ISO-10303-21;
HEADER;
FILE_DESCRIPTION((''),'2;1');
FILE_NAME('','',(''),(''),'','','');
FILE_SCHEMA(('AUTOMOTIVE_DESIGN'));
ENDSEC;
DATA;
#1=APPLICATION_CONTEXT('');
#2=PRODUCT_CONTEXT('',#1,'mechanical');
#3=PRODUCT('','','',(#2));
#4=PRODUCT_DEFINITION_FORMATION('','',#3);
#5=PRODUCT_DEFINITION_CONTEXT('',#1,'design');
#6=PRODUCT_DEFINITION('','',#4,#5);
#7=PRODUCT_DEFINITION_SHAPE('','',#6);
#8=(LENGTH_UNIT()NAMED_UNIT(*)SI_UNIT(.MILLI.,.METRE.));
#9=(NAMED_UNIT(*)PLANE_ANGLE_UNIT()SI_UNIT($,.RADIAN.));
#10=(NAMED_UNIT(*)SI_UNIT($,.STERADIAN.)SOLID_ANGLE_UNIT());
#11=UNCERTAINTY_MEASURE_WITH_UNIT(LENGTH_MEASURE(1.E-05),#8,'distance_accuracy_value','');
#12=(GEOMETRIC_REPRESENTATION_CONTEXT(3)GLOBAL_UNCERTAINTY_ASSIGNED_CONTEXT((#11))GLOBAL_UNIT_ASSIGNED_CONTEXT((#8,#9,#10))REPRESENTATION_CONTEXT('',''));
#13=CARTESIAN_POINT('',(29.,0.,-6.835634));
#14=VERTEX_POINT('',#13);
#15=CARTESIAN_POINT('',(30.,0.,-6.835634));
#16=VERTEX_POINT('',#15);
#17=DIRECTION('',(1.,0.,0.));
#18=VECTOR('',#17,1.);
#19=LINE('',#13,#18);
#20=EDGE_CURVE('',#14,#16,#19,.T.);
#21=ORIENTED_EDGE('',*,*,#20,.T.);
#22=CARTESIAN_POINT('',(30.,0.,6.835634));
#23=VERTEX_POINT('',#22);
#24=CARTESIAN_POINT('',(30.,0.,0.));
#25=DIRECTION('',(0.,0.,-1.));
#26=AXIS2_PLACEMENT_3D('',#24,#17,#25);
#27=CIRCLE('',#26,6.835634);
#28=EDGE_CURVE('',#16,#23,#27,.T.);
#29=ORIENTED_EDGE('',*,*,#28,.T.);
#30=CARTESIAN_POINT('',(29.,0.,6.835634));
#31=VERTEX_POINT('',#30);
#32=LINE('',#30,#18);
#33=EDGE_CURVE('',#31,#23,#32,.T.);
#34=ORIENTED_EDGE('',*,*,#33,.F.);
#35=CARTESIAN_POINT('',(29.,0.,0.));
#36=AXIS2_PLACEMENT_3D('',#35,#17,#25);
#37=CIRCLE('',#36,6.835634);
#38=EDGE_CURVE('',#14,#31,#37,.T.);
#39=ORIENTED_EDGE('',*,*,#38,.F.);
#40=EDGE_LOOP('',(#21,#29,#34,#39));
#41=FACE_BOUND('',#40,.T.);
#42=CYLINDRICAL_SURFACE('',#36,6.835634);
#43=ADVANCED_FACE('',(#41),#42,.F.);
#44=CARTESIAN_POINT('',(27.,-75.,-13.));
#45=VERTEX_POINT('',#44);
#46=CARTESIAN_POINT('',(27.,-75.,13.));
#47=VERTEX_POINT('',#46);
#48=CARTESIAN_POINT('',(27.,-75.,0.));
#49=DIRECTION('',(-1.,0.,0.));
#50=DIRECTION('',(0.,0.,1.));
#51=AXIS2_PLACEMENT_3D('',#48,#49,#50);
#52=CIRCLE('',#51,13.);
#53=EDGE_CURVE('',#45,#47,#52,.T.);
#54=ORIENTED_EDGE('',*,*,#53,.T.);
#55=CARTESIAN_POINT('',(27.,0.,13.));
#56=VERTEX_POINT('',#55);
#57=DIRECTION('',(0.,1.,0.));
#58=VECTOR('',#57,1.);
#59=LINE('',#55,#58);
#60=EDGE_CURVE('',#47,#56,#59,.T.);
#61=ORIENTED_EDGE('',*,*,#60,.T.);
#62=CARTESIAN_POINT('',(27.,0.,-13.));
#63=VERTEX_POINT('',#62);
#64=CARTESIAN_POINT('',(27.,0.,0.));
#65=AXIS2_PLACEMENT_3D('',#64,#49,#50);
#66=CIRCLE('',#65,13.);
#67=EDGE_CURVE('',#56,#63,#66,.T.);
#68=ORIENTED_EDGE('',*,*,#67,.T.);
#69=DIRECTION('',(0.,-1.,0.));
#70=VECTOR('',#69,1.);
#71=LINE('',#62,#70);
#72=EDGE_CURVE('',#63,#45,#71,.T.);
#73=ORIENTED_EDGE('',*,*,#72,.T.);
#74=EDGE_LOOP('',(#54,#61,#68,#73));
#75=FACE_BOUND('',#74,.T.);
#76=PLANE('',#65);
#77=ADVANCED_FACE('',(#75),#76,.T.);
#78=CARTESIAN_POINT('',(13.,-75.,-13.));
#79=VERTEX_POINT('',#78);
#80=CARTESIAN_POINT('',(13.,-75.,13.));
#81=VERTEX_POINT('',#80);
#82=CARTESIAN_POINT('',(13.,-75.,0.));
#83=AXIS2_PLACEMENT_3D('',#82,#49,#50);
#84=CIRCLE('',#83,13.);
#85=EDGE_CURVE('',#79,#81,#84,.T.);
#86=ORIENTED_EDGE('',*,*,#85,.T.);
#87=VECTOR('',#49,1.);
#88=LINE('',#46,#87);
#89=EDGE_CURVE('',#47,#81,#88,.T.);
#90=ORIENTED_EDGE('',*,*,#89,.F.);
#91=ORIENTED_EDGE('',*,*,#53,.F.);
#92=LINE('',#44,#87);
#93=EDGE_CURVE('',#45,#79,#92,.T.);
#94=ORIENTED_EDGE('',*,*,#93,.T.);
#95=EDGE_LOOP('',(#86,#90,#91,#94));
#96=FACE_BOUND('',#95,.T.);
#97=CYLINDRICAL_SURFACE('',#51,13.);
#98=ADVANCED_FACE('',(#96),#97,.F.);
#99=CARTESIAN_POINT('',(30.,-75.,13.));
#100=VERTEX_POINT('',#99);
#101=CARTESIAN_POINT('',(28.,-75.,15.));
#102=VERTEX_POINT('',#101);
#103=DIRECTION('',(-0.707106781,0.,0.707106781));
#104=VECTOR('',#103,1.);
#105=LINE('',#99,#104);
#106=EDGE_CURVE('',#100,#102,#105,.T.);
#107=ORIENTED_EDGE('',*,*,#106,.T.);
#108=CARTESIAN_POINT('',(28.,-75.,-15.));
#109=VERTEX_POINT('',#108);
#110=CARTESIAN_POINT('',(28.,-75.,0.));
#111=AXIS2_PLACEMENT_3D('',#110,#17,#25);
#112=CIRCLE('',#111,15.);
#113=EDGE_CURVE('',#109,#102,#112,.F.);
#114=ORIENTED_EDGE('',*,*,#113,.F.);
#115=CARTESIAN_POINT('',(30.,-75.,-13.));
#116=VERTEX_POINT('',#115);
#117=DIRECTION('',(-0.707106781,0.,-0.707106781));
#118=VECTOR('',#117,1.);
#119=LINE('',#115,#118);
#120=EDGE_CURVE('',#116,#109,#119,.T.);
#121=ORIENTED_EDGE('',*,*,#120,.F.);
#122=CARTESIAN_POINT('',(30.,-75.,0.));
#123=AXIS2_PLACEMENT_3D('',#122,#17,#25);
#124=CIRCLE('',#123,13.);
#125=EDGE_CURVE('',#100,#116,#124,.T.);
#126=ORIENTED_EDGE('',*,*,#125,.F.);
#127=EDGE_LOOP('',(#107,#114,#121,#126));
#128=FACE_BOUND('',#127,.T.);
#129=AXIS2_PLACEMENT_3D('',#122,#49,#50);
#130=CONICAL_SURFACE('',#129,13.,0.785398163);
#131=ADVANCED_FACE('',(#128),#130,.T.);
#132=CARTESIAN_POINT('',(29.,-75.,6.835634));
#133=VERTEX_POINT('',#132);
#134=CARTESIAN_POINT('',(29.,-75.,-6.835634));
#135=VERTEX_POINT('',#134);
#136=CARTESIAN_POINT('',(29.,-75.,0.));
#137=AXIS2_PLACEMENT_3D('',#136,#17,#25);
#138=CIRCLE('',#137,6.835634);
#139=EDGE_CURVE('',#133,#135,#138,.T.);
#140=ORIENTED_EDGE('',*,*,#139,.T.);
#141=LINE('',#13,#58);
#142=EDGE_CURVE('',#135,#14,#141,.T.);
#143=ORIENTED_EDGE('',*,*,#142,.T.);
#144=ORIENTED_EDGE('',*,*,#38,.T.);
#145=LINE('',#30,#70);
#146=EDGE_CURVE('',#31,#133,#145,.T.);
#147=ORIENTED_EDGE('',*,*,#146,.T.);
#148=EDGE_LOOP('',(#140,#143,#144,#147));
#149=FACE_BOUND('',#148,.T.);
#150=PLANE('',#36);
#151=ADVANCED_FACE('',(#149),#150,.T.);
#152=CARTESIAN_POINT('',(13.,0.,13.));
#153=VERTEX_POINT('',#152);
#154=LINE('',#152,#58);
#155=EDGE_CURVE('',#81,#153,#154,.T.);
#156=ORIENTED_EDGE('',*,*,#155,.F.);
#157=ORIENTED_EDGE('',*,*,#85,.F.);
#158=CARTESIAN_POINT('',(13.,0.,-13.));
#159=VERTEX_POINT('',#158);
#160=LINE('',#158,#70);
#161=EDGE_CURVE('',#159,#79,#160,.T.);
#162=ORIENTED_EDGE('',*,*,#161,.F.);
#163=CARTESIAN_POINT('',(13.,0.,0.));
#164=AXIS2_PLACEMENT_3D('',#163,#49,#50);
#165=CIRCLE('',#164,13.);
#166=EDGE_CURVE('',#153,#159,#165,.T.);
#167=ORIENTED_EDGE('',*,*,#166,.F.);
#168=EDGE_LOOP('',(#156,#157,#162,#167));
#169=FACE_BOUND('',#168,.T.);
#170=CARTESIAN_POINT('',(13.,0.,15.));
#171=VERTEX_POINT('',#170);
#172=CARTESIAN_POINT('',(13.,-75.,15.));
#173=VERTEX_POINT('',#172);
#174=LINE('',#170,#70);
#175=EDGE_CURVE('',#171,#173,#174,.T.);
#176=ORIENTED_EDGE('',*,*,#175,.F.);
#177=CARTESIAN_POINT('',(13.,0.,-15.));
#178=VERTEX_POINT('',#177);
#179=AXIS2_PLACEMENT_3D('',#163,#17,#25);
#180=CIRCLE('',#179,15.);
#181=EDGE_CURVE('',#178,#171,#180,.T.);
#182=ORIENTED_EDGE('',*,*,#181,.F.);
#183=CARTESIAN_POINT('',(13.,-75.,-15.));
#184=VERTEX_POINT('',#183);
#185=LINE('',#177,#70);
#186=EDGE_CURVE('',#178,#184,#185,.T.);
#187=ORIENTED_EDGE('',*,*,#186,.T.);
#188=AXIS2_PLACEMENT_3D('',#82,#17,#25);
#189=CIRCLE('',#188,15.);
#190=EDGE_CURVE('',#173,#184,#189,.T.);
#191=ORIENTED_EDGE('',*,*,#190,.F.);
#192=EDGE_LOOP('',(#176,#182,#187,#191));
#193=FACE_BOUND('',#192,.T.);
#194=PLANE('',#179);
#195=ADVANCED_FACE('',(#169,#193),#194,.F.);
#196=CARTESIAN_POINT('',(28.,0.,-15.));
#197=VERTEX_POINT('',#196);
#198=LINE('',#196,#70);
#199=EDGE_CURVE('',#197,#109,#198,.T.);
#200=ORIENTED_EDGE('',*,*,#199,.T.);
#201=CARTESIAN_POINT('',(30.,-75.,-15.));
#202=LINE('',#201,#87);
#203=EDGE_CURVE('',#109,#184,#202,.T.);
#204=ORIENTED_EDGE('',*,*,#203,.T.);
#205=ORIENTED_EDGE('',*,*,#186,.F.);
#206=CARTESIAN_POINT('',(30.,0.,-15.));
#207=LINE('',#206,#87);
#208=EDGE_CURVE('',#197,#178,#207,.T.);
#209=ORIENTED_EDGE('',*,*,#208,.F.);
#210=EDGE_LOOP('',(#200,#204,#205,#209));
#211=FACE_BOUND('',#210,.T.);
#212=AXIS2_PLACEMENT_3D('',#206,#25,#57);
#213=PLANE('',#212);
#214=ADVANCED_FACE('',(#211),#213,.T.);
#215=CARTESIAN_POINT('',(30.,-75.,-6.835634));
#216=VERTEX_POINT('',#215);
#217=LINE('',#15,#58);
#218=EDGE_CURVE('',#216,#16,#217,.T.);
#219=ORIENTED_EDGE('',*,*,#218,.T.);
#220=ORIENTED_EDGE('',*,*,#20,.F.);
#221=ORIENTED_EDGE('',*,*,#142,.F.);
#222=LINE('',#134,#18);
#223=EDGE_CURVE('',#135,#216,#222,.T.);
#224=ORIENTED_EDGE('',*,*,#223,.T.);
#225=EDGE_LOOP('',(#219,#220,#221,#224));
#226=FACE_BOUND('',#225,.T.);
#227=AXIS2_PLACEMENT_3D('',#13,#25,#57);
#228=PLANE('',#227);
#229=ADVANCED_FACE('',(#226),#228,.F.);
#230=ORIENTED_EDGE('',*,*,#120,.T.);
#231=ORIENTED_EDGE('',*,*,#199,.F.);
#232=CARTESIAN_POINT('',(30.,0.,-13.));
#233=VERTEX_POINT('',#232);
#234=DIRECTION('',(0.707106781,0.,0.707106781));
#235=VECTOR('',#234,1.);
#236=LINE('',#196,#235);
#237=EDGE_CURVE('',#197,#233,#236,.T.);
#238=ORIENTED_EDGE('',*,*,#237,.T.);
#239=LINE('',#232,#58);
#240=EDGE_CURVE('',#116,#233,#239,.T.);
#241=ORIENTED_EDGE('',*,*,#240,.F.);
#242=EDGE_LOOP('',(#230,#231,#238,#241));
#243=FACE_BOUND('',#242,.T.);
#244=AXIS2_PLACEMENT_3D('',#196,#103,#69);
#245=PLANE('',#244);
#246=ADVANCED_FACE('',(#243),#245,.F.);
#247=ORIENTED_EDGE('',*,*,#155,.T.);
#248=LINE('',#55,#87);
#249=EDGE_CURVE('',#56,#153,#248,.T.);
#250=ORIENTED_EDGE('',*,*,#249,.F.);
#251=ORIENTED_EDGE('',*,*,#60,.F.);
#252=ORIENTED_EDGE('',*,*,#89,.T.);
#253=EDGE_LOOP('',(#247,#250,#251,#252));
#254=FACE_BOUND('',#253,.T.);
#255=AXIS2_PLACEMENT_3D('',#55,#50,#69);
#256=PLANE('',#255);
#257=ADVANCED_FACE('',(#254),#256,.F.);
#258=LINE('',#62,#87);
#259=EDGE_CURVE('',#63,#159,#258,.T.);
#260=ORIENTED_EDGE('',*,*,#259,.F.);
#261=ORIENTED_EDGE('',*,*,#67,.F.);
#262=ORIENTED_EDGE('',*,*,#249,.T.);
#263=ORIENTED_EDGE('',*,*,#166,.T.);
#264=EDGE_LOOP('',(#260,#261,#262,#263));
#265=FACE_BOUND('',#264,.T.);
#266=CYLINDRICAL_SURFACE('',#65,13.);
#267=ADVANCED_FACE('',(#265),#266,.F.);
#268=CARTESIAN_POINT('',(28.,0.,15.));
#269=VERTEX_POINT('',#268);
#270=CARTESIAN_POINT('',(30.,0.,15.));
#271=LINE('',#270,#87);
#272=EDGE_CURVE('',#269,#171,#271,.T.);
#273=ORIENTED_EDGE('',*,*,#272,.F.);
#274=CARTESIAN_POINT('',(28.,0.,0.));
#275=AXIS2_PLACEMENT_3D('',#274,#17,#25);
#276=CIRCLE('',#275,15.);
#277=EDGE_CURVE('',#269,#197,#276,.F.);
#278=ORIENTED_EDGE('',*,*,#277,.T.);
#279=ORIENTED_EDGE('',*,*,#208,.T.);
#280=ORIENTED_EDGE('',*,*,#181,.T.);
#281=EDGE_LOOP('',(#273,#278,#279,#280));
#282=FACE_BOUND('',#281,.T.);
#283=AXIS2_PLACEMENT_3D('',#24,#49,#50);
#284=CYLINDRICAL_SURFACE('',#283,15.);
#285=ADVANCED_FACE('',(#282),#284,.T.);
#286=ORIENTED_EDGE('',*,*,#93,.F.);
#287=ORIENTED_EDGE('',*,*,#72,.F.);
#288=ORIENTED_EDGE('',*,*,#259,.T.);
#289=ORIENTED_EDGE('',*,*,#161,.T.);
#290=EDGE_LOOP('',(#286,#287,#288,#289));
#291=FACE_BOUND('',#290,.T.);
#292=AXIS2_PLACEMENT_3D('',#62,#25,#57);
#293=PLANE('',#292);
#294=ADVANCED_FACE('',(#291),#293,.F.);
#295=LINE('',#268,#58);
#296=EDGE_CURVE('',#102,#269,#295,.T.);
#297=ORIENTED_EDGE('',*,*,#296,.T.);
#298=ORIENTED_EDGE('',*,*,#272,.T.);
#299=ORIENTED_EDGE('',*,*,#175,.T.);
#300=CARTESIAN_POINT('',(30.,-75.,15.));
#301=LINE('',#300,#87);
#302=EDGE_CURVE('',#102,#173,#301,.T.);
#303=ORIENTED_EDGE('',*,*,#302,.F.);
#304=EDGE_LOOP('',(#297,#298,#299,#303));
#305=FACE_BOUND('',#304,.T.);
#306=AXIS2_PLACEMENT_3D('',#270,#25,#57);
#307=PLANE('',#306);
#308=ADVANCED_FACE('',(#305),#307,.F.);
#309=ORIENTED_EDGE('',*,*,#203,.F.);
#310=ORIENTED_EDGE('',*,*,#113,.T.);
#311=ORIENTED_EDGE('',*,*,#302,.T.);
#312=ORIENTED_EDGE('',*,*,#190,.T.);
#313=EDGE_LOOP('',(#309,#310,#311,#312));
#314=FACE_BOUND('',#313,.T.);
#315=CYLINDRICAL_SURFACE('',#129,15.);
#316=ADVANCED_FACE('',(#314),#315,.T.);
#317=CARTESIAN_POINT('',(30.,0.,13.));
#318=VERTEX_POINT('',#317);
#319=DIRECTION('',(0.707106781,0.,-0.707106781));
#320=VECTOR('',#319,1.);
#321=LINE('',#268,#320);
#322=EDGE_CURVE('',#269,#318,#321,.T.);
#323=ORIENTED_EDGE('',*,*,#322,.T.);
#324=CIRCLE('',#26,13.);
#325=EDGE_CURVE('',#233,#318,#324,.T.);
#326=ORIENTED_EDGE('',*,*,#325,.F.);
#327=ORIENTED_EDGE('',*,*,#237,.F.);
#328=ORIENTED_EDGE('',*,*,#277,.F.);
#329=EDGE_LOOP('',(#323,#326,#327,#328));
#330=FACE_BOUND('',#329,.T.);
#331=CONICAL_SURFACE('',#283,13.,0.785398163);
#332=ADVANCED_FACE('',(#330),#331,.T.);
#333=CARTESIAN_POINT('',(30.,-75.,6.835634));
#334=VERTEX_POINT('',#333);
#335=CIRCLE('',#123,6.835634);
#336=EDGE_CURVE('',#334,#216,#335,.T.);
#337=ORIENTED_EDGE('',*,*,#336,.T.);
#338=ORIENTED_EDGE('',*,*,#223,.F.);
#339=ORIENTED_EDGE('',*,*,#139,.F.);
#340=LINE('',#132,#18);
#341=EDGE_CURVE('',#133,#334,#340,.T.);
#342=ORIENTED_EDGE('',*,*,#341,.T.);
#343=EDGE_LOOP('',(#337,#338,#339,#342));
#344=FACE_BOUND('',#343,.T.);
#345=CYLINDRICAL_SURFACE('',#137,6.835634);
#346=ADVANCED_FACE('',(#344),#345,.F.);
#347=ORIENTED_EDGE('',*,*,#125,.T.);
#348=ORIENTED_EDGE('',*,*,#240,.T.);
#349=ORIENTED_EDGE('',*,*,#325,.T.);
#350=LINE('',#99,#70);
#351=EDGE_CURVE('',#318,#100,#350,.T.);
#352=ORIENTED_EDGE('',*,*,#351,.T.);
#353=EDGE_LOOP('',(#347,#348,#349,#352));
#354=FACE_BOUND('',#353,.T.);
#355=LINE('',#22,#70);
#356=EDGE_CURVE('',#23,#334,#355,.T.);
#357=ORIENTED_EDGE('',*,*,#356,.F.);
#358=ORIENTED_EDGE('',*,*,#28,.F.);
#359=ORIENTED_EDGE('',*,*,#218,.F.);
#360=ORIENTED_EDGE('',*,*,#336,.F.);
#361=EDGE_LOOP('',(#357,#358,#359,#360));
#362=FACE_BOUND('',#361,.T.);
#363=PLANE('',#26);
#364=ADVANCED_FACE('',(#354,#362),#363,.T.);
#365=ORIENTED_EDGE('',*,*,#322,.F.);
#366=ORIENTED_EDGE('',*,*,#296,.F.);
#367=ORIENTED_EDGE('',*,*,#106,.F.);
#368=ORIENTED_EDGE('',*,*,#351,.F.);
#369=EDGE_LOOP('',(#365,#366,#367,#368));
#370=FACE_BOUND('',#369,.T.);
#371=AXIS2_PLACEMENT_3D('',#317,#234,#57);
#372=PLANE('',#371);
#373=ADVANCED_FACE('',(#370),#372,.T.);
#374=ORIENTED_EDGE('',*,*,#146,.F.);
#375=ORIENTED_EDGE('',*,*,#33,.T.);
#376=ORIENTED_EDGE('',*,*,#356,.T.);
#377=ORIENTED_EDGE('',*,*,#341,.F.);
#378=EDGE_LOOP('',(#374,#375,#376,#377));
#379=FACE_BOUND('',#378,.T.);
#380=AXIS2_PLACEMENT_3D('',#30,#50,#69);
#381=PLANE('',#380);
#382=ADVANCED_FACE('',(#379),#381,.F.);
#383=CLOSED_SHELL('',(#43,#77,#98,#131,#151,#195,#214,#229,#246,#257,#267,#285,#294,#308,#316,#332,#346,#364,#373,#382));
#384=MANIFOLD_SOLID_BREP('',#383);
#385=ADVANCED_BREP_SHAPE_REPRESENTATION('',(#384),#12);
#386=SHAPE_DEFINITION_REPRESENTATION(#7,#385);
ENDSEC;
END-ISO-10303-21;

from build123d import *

# Parameters (mm, degrees)
SKETCH_1_R          = 4.9
EXTRUDE_1_DEPTH     = 10
EXTRUDE_2_DEPTH     = 20
SKETCH_3_R          = 5
EXTRUDE_3_DEPTH     = 20
CHAMFER_1_SIZE      = 2
CUT_EXTRUDE_1_DEPTH = 1
SKETCH_5_W          = 112.212059924
SKETCH_5_H          = 221.512042167
CUT_EXTRUDE_2_DEPTH = 23
CUT_EXTRUDE_3_DEPTH = 14


with BuildPart() as part:
    # 草图1 → 凸台-拉伸1 (new body)
    with BuildSketch(Plane(origin=(0, 0, 0), x_dir=(0, 0, -1), z_dir=(1, 0, 0))):
        Circle(SKETCH_1_R)
    extrude(amount=EXTRUDE_1_DEPTH)

    # 草图2 → 凸台-拉伸2 (add)
    with BuildSketch(Plane(origin=(10, 0, 0), x_dir=(0, 0, -1), z_dir=(1, 0, 0))):
        with BuildLine():
            Line((15, 0), (15, -75))
            ThreePointArc((15, -75), (0, -90), (-15, -75))
            Line((-15, -75), (-15, 0))
            ThreePointArc((-15, 0), (0, 15), (15, 0))
        make_face()
    extrude(amount=EXTRUDE_2_DEPTH)

    # 草图3 → 凸台-拉伸3 (add)
    with BuildSketch(Plane.ZY.offset(-10)):
        with Locations(Location((0, -75, 0), (0, 0, 180))):
            Circle(SKETCH_3_R)
    extrude(amount=EXTRUDE_3_DEPTH)

    # 倒角1
    chamfer_1_edges = [part.edges().sort_by_distance(p)[0] for p in [
        (10, -37.5, 15),
        (10, -90, 0),
        (30, -37.5, -15),
        (10, 15, 0),
        (30, -37.5, 15),
        (30, -90, 0),
        (30, 15, 0),
        (10, -37.5, -15),
    ]]
    chamfer(chamfer_1_edges, length=CHAMFER_1_SIZE)

    # 草图4 → 切除-拉伸1 (cut)
    with BuildSketch(Plane(origin=(30, 0, 0), x_dir=(0, 0, -1), z_dir=(1, 0, 0))):
        with BuildLine():
            Line((6.835634275, 0), (6.835634275, -75))
            ThreePointArc((6.835634275, -75), (0, -81.835634275), (-6.835634275, -75))
            Line((-6.835634275, -75), (-6.835634275, 0))
            ThreePointArc((-6.835634275, 0), (0, 6.835634275), (6.835634275, 0))
        make_face()
    extrude(amount=-CUT_EXTRUDE_1_DEPTH, mode=Mode.SUBTRACT)

    # 草图5 → 切除-拉伸2 (cut)
    with BuildSketch(Plane.ZY.offset(10)):
        with Locations((-34.944932156, -94.819395662)):
            Rectangle(SKETCH_5_W, SKETCH_5_H)
    extrude(amount=-CUT_EXTRUDE_2_DEPTH, mode=Mode.SUBTRACT)

    # 草图6 → 切除-拉伸3 (cut)
    with BuildSketch(Plane.ZY.offset(-13)):
        with BuildLine():
            Line((13, 0), (13, -75))
            ThreePointArc((13, -75), (0, -88), (-13, -75))
            Line((-13, -75), (-13, 0))
            ThreePointArc((-13, 0), (0, 13), (13, 0))
        make_face()
    extrude(amount=-CUT_EXTRUDE_3_DEPTH, mode=Mode.SUBTRACT)


solid = part.part
